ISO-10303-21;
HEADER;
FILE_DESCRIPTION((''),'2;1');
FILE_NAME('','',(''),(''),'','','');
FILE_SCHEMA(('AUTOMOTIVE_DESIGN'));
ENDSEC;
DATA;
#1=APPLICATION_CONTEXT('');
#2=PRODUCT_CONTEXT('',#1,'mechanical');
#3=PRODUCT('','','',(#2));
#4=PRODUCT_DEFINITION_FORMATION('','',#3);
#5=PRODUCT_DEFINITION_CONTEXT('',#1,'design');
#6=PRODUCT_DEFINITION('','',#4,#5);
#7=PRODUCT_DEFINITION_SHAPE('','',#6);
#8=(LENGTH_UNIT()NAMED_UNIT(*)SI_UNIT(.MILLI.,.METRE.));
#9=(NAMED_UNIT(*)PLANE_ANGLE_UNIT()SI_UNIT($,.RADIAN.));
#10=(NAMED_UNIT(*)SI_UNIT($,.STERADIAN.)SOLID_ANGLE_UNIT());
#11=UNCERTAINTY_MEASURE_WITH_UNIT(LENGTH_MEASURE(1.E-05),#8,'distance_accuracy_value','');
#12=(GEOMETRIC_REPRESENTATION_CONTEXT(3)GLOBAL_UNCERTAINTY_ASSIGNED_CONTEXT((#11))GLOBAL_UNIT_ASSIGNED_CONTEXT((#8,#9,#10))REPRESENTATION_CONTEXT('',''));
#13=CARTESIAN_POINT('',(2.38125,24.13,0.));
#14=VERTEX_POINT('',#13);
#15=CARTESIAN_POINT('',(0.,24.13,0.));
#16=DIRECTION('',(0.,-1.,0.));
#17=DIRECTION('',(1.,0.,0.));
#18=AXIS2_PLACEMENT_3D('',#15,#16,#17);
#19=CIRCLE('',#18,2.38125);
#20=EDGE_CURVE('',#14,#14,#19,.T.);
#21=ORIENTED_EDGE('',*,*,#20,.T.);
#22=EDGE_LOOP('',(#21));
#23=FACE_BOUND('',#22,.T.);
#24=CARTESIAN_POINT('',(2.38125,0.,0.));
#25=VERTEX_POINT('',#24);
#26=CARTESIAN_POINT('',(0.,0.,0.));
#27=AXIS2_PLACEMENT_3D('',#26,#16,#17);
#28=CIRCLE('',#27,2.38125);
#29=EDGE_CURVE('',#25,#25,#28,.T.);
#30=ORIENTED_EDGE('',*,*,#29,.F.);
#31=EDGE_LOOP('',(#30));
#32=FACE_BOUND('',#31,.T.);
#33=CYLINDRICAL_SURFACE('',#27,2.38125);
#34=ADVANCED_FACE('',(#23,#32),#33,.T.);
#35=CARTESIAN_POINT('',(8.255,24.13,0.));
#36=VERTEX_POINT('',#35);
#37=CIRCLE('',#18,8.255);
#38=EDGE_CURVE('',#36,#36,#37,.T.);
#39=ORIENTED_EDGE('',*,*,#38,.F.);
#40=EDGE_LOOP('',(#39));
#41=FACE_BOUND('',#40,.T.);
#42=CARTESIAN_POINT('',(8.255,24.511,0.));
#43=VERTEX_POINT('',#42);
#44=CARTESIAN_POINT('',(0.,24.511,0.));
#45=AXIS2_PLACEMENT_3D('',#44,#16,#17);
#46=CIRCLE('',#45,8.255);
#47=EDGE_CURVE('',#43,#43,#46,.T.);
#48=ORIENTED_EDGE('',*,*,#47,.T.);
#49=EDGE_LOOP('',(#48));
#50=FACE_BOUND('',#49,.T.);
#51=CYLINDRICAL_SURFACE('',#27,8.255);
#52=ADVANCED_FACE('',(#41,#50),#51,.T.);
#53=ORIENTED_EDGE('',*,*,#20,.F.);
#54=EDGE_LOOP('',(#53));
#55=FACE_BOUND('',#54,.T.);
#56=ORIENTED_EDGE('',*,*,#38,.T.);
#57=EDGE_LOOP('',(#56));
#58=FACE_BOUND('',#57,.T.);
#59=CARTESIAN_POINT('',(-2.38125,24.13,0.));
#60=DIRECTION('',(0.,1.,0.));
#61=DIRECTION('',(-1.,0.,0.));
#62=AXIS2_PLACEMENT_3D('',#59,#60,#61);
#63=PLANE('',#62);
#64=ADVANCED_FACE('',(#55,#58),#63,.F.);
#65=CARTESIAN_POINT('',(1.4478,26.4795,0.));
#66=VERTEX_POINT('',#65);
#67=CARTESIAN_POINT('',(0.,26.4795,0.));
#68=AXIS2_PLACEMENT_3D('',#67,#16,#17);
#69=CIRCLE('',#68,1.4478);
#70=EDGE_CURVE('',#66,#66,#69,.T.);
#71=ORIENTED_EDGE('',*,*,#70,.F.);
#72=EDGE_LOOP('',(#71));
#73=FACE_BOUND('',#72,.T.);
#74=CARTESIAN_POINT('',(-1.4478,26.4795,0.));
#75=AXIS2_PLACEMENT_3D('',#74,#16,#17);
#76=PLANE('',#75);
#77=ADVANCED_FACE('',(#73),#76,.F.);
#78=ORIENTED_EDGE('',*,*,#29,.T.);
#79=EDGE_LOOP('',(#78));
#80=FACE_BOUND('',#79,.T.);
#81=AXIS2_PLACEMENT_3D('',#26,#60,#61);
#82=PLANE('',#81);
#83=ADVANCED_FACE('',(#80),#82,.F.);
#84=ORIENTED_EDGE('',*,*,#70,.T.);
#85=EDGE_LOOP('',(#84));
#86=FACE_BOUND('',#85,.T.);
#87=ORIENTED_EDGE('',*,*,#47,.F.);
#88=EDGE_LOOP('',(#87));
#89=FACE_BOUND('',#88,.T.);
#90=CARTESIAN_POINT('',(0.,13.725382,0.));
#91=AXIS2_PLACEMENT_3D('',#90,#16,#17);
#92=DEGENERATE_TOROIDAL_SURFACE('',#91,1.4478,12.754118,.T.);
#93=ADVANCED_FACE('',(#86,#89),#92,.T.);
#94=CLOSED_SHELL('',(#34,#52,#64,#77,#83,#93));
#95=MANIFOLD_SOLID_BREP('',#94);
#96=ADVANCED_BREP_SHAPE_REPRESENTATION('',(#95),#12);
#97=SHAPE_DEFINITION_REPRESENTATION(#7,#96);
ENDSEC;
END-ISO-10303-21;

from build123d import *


with BuildPart() as part:
    # Sketch1 → Revolve1 (revolve)
    with BuildSketch(Plane.XY):
        with BuildLine():
            Line((-1.4478, 26.4795), (0, 26.4795))
            Line((0, 26.4795), (0, 0))
            Line((0, 0), (-2.38125, 0))
            Line((-2.38125, 0), (-2.38125, 24.13))
            Line((-2.38125, 24.13), (-8.255, 24.13))
            Line((-8.255, 24.13), (-8.255, 24.511))
            ThreePointArc((-8.255, 24.511), (-4.990855323, 25.977495504), (-1.4478, 26.4795))
        make_face()
    revolve(axis=Axis((0, 0, 0), (0, 1, 0)))


solid = part.part
